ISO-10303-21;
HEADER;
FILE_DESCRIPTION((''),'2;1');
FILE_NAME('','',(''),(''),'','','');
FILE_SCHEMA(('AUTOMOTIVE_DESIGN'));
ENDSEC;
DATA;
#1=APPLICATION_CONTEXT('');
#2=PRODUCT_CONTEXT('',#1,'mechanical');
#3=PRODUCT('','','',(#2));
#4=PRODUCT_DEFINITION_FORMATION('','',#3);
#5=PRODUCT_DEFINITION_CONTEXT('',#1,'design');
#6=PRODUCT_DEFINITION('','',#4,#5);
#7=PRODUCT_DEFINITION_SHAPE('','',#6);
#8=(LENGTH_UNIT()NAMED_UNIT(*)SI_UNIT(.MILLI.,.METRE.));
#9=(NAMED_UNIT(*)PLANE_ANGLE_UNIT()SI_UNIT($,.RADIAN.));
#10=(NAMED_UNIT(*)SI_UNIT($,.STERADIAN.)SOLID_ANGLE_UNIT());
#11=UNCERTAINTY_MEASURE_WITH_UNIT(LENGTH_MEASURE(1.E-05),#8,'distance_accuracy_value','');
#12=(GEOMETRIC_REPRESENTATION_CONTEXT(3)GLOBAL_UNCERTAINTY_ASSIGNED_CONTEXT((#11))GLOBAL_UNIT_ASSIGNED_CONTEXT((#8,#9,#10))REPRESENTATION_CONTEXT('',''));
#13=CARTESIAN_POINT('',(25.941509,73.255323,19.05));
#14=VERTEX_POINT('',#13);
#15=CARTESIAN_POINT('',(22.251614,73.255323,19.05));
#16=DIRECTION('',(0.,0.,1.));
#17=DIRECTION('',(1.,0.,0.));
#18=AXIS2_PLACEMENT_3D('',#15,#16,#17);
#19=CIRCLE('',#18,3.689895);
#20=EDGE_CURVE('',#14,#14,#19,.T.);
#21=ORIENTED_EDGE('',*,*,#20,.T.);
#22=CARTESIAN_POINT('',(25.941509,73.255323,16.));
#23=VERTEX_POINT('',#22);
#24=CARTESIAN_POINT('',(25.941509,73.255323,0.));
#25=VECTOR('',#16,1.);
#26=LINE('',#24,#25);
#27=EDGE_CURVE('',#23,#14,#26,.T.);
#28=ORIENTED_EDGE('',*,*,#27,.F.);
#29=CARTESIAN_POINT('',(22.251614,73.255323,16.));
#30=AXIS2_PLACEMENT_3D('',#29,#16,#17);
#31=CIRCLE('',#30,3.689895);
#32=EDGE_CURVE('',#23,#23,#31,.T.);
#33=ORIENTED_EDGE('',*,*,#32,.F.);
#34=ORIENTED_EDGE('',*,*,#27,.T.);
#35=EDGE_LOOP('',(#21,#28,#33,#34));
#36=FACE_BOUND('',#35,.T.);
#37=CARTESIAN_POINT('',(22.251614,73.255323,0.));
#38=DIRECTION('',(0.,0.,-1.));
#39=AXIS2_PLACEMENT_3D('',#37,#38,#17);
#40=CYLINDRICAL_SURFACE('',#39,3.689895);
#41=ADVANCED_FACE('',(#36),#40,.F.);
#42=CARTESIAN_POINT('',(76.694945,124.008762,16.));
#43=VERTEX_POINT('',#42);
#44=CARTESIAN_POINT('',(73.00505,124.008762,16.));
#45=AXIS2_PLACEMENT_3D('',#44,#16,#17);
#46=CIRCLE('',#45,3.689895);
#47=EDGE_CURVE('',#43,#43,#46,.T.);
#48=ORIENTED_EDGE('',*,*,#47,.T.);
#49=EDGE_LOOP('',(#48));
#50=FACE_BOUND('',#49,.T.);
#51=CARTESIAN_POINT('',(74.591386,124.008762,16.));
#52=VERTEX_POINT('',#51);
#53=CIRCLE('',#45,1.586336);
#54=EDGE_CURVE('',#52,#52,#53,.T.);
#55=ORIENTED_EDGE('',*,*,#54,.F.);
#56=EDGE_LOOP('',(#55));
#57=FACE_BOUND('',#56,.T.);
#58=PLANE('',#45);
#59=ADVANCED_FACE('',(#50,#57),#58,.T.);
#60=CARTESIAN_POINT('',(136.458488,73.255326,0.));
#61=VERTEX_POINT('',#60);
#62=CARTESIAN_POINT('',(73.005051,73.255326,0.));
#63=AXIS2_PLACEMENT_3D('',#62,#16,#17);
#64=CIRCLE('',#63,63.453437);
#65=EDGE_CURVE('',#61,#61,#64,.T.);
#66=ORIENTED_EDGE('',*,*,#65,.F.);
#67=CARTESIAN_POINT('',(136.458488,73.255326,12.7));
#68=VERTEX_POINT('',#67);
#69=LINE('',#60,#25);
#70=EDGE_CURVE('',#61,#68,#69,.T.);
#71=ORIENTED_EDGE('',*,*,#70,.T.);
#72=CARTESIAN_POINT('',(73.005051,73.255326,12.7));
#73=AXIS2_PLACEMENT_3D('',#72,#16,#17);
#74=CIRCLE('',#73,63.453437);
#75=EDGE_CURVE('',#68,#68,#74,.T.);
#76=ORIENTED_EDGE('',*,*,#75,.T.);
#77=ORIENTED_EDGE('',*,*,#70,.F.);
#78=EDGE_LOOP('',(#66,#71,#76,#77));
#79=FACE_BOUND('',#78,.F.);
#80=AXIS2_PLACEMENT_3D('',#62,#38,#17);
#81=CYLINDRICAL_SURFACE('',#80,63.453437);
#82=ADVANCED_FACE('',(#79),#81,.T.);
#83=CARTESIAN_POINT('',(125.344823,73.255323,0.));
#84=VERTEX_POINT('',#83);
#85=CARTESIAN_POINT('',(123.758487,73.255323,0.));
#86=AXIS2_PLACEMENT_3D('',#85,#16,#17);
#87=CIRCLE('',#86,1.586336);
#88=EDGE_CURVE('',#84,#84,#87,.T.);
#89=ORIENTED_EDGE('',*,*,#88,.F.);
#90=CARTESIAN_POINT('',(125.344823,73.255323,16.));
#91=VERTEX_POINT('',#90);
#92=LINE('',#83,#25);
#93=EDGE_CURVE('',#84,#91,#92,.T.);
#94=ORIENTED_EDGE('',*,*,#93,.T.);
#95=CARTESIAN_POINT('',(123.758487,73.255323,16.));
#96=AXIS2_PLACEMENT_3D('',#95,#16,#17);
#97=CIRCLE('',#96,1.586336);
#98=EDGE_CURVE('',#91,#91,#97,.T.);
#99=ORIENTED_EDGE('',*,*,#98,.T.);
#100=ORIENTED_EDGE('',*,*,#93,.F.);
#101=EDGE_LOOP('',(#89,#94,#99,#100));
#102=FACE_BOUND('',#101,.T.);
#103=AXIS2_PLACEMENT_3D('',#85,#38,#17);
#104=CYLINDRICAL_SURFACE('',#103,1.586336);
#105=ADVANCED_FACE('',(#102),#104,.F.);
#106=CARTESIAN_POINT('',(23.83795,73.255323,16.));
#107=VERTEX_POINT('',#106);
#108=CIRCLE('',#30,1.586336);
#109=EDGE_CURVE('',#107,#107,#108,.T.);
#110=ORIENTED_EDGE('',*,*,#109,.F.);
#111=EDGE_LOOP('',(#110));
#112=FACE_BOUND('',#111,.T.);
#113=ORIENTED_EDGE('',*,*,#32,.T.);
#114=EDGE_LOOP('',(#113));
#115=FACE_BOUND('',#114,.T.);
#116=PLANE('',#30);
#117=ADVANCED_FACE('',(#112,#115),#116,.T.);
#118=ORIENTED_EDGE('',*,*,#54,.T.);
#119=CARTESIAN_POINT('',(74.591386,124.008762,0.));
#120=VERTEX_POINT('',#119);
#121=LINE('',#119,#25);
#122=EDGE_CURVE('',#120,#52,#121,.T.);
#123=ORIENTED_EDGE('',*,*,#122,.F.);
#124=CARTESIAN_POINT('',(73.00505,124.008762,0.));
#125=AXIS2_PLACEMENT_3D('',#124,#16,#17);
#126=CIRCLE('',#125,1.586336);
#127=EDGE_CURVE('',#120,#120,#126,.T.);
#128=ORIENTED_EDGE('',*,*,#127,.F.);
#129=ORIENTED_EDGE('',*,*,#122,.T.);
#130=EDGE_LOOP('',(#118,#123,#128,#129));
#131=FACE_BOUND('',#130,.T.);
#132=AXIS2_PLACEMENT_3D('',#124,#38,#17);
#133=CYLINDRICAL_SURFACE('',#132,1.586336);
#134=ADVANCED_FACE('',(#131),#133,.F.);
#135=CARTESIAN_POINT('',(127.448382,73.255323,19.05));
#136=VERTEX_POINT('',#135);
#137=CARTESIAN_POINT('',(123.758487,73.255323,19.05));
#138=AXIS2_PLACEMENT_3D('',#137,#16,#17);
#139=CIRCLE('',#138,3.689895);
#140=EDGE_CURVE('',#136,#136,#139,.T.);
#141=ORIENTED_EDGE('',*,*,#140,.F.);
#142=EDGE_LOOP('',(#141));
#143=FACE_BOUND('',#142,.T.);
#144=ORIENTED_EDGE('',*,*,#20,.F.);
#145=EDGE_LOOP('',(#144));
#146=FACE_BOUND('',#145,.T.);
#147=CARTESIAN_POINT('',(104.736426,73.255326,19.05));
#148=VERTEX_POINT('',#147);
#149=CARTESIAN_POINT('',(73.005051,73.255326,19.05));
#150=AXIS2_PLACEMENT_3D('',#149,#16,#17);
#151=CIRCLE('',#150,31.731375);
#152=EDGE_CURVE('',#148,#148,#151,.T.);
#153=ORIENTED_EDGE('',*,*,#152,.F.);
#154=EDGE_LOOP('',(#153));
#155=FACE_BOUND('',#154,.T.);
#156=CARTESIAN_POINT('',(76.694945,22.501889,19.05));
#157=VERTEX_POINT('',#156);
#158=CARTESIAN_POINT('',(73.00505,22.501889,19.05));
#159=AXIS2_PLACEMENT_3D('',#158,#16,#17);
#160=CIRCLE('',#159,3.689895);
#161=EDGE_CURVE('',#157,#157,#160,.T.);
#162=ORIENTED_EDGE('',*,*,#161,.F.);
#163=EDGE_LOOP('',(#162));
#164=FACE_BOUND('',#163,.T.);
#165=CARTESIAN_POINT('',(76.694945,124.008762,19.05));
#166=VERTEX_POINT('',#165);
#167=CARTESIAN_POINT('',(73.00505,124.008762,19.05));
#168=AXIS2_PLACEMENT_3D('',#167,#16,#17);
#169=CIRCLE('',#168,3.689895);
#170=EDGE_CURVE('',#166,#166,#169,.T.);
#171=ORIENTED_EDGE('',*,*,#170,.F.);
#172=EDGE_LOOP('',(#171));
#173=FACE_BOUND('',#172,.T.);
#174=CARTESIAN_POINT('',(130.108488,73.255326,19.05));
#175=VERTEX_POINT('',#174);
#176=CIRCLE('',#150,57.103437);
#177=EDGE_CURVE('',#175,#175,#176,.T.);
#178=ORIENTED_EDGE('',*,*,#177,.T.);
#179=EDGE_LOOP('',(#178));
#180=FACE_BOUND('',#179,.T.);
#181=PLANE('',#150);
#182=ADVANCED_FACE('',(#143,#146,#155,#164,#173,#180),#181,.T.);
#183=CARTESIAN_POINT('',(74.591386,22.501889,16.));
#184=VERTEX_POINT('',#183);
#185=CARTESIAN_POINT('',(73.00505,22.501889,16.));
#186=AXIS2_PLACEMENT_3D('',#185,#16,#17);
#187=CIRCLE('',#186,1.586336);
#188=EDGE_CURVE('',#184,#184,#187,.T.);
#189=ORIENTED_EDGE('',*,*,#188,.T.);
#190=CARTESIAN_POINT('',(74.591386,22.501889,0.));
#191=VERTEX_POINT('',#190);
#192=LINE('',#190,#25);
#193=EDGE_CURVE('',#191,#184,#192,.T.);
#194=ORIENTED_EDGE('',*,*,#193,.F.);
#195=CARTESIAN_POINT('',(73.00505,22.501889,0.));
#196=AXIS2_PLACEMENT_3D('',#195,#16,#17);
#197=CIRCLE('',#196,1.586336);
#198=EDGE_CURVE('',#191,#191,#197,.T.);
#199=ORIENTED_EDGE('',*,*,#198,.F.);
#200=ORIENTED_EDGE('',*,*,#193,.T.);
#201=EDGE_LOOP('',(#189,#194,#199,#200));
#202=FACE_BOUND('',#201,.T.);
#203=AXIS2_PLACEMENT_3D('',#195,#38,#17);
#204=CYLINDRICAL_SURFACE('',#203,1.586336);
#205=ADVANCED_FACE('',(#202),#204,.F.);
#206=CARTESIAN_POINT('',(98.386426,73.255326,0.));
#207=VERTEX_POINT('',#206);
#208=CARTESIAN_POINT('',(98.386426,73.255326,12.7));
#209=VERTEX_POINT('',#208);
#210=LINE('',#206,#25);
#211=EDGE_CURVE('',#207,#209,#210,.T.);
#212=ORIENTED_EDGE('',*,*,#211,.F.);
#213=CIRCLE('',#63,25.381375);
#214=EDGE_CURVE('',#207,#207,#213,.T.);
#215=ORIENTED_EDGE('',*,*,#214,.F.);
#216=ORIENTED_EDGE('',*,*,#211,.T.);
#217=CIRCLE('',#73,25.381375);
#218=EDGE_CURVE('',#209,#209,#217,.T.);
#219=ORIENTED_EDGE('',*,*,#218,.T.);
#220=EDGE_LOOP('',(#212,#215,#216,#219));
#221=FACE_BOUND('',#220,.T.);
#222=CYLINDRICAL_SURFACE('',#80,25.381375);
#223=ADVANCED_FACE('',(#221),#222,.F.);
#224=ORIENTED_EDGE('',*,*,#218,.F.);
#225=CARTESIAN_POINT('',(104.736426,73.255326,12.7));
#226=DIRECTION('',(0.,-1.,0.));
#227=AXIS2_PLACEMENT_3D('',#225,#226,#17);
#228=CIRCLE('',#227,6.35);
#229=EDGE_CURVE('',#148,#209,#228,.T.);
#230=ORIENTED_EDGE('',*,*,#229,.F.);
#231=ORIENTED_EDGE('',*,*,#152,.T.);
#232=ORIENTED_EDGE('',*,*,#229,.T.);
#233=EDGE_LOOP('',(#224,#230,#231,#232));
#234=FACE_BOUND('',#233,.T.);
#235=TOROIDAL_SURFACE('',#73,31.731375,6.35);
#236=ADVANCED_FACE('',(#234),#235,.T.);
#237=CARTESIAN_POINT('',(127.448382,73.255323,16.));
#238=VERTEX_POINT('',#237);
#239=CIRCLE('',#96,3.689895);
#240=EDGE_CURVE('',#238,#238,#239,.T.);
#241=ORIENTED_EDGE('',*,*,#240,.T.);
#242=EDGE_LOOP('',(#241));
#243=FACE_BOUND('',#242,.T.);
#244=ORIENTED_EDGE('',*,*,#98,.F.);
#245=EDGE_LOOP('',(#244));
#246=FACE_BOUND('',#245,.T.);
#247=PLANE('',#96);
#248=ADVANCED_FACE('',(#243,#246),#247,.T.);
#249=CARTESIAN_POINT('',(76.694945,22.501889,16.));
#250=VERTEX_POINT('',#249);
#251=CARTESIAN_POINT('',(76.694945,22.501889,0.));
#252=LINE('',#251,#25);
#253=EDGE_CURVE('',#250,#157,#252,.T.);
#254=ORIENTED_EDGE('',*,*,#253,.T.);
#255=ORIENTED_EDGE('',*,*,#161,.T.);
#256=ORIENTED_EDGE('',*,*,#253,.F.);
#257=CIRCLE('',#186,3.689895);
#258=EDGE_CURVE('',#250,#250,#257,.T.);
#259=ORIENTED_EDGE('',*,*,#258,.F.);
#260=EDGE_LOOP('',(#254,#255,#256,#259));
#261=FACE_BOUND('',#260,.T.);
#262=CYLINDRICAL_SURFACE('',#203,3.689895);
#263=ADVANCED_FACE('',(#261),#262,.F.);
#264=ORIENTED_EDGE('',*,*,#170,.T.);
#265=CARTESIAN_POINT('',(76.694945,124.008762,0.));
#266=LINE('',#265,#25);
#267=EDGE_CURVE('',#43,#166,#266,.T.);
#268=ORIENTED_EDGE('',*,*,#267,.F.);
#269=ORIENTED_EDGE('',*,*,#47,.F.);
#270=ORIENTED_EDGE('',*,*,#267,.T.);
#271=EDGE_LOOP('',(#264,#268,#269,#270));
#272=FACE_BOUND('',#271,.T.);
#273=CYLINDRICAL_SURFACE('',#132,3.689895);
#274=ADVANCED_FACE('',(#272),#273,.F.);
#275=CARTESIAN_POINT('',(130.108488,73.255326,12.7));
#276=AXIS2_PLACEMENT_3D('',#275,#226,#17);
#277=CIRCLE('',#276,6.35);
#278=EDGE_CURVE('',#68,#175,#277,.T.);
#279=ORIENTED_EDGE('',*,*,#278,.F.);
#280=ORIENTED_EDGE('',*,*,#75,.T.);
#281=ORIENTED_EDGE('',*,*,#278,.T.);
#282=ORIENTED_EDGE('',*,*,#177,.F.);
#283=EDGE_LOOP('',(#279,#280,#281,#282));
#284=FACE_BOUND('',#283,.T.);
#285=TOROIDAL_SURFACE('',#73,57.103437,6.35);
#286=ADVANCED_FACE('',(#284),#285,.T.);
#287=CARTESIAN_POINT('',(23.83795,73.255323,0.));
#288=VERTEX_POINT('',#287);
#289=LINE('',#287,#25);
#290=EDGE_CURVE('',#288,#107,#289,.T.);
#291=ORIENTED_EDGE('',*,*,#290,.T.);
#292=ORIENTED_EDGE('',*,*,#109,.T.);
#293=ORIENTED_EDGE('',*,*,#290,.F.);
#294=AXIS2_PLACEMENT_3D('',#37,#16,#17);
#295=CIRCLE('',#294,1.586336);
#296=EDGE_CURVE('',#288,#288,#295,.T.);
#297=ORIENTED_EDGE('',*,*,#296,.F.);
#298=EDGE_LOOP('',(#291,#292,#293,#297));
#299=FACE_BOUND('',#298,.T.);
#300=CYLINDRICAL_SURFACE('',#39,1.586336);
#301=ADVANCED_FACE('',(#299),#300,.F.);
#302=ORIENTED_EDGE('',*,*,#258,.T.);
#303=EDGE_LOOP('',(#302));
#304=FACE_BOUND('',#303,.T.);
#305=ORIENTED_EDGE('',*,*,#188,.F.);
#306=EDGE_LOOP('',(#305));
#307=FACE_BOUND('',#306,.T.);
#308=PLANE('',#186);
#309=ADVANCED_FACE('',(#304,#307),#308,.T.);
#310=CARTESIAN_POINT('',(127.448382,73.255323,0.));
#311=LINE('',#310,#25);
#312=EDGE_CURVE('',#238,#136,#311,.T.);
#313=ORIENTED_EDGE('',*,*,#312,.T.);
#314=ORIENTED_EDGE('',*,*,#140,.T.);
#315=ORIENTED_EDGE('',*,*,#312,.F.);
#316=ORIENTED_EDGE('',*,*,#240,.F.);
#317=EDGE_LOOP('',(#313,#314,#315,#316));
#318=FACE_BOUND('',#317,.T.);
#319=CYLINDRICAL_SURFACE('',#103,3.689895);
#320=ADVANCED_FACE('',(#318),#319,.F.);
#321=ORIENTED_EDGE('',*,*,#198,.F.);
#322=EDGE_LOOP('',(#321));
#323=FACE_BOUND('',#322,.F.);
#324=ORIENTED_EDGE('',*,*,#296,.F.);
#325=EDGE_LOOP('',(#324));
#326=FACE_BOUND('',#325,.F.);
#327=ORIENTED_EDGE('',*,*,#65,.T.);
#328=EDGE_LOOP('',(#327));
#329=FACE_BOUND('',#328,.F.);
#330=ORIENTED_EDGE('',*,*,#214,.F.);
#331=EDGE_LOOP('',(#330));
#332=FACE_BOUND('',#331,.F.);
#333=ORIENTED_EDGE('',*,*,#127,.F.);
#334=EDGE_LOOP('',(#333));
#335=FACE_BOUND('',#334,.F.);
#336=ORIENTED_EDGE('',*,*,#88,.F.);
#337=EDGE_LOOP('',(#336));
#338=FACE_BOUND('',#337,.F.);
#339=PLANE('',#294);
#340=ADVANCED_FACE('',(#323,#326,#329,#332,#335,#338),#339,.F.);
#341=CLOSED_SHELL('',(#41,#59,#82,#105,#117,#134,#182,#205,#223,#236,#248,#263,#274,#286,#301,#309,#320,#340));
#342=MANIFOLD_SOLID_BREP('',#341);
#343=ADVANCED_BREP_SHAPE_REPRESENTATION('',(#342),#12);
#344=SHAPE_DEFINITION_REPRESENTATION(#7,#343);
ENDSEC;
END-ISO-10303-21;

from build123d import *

# Parameters (mm, degrees)
F0_R     = 63.453437
F0_R_2   = 3.689895
F0_R_3   = 25.381375
F1_DEPTH = 19.05
F0_R_4   = 1.586336
F2_DEPTH = 16
F3_R     = 6.35
F4_R     = 6.35


with BuildPart() as f1:
    # F0 (on Top) → F1 (new body)
    with BuildSketch(Plane.XY):
        with Locations((73.005051, 73.255326)):
            Circle(F0_R)
        with Locations((73.00505, 22.501889)):
            Circle(F0_R_2, mode=Mode.SUBTRACT)
        with Locations((22.251614, 73.255323)):
            Circle(F0_R_2, mode=Mode.SUBTRACT)
        with Locations((123.758487, 73.255323)):
            Circle(F0_R_2, mode=Mode.SUBTRACT)
        with Locations((73.00505, 124.008762)):
            Circle(F0_R_2, mode=Mode.SUBTRACT)
        with Locations((73.005051, 73.255326)):
            Circle(F0_R_3, mode=Mode.SUBTRACT)
    extrude(amount=F1_DEPTH)

    # F0 (on Top) → F2 (join)
    with BuildSketch(Plane.XY):
        with Locations((22.251614, 73.255323)):
            Circle(F0_R_2)
        with Locations((22.251614, 73.255323)):
            Circle(F0_R_4, mode=Mode.SUBTRACT)
        with Locations((73.00505, 22.501889)):
            Circle(F0_R_2)
        with Locations((73.00505, 22.501889)):
            Circle(F0_R_4, mode=Mode.SUBTRACT)
        with Locations((123.758487, 73.255323)):
            Circle(F0_R_2)
        with Locations((123.758487, 73.255323)):
            Circle(F0_R_4, mode=Mode.SUBTRACT)
        with Locations((73.00505, 124.008762)):
            Circle(F0_R_2)
        with Locations((73.00505, 124.008762)):
            Circle(F0_R_4, mode=Mode.SUBTRACT)
    extrude(amount=F2_DEPTH)

    # F3
    f3_edges = [f1.edges().sort_by_distance(p)[0] for p in [
        (9.551614, 73.255326, 19.05),
    ]]
    fillet(f3_edges, radius=F3_R)

    # F4
    f4_edges = [f1.edges().sort_by_distance(p)[0] for p in [
        (47.623676, 73.255326, 19.05),
    ]]
    fillet(f4_edges, radius=F4_R)


solid = f1.part
